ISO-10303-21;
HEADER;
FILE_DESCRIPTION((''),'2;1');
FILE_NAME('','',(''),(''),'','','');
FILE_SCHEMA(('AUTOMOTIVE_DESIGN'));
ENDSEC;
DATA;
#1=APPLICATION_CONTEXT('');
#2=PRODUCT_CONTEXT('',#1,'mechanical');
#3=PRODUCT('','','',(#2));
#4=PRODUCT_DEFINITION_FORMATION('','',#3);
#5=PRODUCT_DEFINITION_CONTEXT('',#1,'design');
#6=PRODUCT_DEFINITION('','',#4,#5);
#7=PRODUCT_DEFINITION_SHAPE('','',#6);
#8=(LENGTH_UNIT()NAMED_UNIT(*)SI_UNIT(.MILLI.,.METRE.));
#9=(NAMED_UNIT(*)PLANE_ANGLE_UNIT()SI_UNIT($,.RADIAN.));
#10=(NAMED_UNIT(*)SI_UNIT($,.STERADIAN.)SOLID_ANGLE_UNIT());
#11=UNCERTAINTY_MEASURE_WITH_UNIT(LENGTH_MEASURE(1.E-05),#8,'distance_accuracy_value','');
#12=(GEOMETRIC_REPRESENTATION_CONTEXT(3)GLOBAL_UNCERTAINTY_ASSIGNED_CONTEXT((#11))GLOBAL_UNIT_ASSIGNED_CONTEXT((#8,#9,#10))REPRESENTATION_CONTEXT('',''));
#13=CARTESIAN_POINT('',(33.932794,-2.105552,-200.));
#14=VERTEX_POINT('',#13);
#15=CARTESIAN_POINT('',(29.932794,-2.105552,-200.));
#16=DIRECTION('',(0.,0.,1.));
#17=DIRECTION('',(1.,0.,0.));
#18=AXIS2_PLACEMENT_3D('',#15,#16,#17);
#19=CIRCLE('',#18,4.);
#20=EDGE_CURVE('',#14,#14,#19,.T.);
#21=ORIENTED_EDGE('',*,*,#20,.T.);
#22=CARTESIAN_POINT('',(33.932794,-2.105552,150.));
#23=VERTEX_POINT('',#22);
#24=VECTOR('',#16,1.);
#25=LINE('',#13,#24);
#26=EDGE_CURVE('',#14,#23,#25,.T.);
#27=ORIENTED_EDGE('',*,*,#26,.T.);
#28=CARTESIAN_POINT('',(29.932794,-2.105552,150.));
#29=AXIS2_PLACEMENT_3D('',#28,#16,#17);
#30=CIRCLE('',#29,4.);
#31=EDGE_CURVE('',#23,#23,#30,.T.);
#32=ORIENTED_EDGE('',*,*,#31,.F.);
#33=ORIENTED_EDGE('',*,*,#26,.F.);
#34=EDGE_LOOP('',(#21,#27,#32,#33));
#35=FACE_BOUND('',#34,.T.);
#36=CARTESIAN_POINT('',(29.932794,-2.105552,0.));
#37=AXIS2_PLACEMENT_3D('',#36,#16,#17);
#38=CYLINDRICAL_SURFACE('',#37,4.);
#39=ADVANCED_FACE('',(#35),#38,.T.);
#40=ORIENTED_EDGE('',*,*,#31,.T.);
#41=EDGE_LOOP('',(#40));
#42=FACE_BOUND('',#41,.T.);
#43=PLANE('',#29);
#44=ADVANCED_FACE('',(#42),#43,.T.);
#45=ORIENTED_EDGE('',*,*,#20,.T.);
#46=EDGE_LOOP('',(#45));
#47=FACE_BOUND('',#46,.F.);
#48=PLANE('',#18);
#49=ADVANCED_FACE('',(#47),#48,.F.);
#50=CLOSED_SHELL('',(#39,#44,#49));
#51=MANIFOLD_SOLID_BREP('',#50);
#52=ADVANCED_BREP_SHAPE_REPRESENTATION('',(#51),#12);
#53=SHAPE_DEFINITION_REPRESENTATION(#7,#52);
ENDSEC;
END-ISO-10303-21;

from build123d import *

# Parameters (mm, degrees)
CROQUIS1_R                   = 4
SALIENTE_EXTRUIR1_DEPTH      = 150
SALIENTE_EXTRUIR1_DEPTH_BACK = 200


with BuildPart() as part:
    # Croquis1 → Saliente-Extruir1 (new body, two sides)
    with BuildSketch(Plane.XY) as saliente_extruir1_sk:
        with Locations((29.932793709, -2.105552469)):
            Circle(CROQUIS1_R)
    extrude(amount=SALIENTE_EXTRUIR1_DEPTH)
    extrude(saliente_extruir1_sk.sketch, amount=-SALIENTE_EXTRUIR1_DEPTH_BACK)


solid = part.part
